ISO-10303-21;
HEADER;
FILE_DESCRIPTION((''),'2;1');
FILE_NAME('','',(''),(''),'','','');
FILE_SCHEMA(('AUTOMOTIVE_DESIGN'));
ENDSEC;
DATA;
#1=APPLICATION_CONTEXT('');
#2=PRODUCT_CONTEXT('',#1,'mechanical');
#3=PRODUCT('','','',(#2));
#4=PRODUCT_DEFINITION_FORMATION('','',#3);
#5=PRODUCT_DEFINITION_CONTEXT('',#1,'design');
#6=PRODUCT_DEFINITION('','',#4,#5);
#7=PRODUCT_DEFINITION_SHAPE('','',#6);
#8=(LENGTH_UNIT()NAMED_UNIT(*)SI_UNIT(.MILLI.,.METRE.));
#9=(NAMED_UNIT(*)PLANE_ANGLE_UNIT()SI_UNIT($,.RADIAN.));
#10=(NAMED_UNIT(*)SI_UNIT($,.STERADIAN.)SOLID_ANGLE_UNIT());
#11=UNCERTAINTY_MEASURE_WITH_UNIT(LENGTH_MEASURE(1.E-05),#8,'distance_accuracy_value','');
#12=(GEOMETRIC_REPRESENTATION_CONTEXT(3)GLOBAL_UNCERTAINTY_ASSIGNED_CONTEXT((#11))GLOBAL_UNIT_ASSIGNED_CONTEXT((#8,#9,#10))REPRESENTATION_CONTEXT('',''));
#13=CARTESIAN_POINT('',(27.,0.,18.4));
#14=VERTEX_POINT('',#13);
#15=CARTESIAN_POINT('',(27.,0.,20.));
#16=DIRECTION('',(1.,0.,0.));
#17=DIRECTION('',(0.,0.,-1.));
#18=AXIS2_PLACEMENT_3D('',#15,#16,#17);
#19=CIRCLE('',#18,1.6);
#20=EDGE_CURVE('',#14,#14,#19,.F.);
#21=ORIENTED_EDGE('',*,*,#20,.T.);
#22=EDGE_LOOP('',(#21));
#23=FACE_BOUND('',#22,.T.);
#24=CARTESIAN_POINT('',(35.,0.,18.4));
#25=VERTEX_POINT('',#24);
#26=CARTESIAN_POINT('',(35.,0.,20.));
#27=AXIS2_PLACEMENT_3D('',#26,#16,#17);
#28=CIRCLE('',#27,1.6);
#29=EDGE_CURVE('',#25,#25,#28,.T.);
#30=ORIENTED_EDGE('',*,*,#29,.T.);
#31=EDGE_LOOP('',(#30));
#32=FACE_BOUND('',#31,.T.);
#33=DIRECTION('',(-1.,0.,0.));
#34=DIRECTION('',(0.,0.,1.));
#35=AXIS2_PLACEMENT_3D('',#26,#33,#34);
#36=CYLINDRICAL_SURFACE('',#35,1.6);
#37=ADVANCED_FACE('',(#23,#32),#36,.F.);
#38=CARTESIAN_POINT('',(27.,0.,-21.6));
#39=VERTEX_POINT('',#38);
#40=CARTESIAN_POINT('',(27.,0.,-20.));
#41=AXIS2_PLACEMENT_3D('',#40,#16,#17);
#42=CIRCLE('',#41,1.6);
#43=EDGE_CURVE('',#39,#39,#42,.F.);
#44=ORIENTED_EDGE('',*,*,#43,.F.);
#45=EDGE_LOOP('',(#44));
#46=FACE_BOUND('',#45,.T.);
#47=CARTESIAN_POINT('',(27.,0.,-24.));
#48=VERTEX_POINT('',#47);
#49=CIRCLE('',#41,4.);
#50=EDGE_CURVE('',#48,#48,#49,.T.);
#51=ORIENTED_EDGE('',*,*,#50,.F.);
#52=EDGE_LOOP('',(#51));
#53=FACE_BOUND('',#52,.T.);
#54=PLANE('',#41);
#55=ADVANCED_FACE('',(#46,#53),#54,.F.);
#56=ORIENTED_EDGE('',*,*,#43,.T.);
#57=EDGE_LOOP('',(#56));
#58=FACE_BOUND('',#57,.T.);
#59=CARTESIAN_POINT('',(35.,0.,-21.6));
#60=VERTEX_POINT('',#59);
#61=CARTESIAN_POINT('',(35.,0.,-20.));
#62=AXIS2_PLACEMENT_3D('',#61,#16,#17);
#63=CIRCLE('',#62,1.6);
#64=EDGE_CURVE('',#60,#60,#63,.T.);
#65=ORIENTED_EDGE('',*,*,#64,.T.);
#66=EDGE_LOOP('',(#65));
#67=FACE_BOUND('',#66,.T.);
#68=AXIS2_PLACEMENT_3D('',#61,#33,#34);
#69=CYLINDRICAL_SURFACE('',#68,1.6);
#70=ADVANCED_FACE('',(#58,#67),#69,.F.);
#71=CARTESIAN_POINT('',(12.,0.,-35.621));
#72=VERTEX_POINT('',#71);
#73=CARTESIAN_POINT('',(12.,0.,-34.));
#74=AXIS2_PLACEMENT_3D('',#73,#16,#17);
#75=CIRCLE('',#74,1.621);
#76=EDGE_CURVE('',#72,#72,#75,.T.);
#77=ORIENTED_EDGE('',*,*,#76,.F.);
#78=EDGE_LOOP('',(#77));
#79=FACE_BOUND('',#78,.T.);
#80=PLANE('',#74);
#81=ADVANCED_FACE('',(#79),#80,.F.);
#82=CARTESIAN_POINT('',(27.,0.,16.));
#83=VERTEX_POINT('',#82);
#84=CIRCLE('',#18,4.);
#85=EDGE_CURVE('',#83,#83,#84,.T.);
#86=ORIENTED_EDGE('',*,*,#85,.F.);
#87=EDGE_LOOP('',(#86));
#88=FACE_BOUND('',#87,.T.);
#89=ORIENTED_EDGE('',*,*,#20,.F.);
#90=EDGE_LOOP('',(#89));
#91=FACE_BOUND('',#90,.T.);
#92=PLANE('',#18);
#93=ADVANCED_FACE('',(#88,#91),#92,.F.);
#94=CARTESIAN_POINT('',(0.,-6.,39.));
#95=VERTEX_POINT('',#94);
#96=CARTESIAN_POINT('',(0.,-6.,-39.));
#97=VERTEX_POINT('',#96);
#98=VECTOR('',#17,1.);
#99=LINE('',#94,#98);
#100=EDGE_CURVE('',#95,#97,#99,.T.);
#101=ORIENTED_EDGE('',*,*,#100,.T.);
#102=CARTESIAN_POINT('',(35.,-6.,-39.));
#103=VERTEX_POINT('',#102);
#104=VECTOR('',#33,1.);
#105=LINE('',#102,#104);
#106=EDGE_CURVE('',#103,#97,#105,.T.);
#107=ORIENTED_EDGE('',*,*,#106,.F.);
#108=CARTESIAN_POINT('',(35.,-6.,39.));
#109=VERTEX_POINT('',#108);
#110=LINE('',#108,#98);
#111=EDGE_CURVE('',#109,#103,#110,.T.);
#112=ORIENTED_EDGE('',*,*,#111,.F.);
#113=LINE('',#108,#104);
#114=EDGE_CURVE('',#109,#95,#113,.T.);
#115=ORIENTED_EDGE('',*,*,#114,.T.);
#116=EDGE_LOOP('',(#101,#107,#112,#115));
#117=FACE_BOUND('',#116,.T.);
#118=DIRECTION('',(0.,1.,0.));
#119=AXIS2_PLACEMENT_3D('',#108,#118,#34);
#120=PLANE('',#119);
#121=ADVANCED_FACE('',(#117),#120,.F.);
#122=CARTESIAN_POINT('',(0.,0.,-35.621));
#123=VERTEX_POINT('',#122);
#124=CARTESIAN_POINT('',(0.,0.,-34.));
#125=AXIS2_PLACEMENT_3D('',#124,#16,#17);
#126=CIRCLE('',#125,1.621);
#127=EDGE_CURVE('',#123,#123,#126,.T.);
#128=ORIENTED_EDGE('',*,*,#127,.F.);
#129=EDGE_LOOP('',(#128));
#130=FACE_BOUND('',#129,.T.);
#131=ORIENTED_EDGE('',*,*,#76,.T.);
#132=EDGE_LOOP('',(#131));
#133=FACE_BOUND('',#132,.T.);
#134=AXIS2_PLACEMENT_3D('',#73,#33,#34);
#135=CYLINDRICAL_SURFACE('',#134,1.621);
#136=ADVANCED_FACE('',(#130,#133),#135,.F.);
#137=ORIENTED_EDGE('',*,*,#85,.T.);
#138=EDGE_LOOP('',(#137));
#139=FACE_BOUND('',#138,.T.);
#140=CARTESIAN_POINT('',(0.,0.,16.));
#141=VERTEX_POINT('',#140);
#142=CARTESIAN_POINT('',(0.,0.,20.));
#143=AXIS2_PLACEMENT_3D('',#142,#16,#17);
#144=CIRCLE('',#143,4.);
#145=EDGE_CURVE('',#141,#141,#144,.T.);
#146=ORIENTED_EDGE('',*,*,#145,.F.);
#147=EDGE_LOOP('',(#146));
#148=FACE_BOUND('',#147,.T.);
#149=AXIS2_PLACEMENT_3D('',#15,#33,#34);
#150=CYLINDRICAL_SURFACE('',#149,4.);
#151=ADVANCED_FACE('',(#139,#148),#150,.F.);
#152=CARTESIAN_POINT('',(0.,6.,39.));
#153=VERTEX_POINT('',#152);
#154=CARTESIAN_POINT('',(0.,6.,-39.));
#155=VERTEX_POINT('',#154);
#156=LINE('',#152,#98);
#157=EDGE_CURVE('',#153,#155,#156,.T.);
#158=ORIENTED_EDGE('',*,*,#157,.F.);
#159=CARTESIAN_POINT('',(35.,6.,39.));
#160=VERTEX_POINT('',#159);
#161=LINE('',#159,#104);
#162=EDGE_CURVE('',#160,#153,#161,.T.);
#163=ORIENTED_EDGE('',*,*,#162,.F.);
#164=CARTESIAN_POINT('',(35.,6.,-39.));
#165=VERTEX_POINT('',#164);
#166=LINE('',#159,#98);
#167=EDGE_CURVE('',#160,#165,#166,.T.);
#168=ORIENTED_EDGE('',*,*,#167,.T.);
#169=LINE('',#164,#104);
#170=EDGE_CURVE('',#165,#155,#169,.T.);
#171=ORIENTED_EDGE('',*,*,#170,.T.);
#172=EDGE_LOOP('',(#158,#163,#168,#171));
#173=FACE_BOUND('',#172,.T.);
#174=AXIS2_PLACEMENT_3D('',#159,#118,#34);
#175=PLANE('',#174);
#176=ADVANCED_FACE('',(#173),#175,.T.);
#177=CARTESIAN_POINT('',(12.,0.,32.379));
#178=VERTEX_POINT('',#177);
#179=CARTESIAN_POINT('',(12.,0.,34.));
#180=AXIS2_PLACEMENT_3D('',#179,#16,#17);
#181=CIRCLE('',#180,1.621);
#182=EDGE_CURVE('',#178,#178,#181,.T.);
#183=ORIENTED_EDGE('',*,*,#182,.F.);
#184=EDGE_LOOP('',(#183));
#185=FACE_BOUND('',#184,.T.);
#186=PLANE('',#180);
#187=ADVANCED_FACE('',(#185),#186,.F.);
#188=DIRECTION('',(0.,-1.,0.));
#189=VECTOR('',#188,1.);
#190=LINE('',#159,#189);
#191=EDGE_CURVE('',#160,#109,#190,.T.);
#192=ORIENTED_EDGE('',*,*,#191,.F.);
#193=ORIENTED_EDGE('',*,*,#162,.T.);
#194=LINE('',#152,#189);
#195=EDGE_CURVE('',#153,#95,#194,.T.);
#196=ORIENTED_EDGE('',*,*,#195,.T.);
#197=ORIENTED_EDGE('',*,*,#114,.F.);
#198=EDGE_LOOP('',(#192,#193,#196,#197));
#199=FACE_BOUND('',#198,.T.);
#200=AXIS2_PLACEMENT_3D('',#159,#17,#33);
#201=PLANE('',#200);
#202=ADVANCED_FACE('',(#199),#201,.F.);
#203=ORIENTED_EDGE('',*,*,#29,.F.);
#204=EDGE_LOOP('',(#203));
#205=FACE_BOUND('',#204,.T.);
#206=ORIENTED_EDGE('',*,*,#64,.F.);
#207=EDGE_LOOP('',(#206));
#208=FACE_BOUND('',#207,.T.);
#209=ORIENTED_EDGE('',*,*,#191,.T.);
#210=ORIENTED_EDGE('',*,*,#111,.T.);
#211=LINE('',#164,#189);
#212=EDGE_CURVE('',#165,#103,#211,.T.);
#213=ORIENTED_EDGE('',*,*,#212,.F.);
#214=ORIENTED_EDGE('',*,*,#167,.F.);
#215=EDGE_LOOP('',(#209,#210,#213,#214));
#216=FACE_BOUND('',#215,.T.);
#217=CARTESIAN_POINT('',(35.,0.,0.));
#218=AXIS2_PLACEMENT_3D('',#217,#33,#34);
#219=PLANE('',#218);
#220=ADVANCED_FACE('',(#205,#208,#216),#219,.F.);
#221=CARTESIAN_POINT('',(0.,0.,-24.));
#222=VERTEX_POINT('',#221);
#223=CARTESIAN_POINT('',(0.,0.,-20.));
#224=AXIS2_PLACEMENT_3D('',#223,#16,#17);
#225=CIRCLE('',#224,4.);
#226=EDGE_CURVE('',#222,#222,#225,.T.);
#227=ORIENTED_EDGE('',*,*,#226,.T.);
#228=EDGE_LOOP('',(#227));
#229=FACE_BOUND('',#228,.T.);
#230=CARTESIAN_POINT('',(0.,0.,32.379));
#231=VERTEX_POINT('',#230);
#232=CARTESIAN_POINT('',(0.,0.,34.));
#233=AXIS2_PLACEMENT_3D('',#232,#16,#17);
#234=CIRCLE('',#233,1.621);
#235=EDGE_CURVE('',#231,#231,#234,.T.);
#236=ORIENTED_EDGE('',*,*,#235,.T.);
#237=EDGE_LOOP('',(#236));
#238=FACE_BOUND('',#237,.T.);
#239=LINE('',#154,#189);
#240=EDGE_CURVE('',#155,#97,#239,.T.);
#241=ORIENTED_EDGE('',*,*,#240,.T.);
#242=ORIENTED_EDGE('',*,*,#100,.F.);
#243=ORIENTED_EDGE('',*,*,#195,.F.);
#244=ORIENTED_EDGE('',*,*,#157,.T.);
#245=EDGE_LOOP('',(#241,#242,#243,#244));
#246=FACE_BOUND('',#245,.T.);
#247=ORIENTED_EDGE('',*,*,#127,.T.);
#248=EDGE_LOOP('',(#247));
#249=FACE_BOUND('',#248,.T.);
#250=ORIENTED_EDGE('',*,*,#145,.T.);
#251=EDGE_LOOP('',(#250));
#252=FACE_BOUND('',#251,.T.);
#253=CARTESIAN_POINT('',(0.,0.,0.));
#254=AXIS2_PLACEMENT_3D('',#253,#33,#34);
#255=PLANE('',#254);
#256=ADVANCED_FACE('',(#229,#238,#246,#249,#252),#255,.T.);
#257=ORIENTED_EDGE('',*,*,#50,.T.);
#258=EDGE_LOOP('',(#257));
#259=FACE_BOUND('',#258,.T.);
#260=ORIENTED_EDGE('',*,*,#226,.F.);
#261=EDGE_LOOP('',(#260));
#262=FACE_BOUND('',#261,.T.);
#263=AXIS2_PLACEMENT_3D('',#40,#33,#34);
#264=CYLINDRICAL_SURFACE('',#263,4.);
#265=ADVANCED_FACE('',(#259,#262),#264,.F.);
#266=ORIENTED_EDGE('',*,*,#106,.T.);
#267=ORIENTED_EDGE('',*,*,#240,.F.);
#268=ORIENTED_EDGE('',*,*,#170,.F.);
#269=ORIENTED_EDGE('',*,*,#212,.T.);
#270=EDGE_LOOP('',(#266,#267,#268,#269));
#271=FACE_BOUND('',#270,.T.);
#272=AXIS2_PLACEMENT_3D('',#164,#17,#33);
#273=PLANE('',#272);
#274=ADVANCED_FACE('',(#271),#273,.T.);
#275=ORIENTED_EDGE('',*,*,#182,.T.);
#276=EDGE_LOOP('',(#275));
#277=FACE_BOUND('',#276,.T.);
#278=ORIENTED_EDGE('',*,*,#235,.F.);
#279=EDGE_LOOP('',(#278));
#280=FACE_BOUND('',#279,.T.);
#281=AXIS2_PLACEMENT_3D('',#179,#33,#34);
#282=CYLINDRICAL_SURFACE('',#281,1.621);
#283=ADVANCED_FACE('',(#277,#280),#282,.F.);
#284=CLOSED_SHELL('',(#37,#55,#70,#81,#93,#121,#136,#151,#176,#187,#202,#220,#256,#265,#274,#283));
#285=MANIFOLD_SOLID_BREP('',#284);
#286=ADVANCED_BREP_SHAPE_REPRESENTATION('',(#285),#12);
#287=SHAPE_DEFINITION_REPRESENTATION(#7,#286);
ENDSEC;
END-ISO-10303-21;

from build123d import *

# Parameters (mm, degrees)
SKETCH1_W           = 78
SKETCH1_H           = 12
BOSS_EXTRUDE1_DEPTH = 35
SKETCH1_4_R         = 4
CUT_EXTRUDE1_DEPTH  = 27
SKETCH1_5_R         = 1.6
CUT_EXTRUDE2_DEPTH  = 35
SKETCH1_6_R         = 1.621
CUT_EXTRUDE3_DEPTH  = 12


with BuildPart() as part:
    # Sketch1 → Boss-Extrude1 (new body)
    with BuildSketch(Plane(origin=(0, 0, 0), x_dir=(0, 0, -1), z_dir=(1, 0, 0))):
        Rectangle(SKETCH1_W, SKETCH1_H)
    extrude(amount=BOSS_EXTRUDE1_DEPTH)

    # Sketch1<4> → Cut-Extrude1 (cut)
    with BuildSketch(Plane(origin=(0, 0, 0), x_dir=(0, 0, -1), z_dir=(1, 0, 0))):
        with Locations((-20, 0)):
            Circle(SKETCH1_4_R)
        with Locations((20, 0)):
            Circle(SKETCH1_4_R)
    extrude(amount=CUT_EXTRUDE1_DEPTH, mode=Mode.SUBTRACT)

    # Sketch1<5> → Cut-Extrude2 (cut)
    with BuildSketch(Plane(origin=(0, 0, 0), x_dir=(0, 0, -1), z_dir=(1, 0, 0))):
        with Locations((-20, 0)):
            Circle(SKETCH1_5_R)
        with Locations((20, 0)):
            Circle(SKETCH1_5_R)
    extrude(amount=CUT_EXTRUDE2_DEPTH, mode=Mode.SUBTRACT)

    # Sketch1<6> → Cut-Extrude3 (cut)
    with BuildSketch(Plane(origin=(0, 0, 0), x_dir=(0, 0, -1), z_dir=(1, 0, 0))):
        with Locations((-34, 0)):
            Circle(SKETCH1_6_R)
        with Locations((34, 0)):
            Circle(SKETCH1_6_R)
    extrude(amount=CUT_EXTRUDE3_DEPTH, mode=Mode.SUBTRACT)


solid = part.part
